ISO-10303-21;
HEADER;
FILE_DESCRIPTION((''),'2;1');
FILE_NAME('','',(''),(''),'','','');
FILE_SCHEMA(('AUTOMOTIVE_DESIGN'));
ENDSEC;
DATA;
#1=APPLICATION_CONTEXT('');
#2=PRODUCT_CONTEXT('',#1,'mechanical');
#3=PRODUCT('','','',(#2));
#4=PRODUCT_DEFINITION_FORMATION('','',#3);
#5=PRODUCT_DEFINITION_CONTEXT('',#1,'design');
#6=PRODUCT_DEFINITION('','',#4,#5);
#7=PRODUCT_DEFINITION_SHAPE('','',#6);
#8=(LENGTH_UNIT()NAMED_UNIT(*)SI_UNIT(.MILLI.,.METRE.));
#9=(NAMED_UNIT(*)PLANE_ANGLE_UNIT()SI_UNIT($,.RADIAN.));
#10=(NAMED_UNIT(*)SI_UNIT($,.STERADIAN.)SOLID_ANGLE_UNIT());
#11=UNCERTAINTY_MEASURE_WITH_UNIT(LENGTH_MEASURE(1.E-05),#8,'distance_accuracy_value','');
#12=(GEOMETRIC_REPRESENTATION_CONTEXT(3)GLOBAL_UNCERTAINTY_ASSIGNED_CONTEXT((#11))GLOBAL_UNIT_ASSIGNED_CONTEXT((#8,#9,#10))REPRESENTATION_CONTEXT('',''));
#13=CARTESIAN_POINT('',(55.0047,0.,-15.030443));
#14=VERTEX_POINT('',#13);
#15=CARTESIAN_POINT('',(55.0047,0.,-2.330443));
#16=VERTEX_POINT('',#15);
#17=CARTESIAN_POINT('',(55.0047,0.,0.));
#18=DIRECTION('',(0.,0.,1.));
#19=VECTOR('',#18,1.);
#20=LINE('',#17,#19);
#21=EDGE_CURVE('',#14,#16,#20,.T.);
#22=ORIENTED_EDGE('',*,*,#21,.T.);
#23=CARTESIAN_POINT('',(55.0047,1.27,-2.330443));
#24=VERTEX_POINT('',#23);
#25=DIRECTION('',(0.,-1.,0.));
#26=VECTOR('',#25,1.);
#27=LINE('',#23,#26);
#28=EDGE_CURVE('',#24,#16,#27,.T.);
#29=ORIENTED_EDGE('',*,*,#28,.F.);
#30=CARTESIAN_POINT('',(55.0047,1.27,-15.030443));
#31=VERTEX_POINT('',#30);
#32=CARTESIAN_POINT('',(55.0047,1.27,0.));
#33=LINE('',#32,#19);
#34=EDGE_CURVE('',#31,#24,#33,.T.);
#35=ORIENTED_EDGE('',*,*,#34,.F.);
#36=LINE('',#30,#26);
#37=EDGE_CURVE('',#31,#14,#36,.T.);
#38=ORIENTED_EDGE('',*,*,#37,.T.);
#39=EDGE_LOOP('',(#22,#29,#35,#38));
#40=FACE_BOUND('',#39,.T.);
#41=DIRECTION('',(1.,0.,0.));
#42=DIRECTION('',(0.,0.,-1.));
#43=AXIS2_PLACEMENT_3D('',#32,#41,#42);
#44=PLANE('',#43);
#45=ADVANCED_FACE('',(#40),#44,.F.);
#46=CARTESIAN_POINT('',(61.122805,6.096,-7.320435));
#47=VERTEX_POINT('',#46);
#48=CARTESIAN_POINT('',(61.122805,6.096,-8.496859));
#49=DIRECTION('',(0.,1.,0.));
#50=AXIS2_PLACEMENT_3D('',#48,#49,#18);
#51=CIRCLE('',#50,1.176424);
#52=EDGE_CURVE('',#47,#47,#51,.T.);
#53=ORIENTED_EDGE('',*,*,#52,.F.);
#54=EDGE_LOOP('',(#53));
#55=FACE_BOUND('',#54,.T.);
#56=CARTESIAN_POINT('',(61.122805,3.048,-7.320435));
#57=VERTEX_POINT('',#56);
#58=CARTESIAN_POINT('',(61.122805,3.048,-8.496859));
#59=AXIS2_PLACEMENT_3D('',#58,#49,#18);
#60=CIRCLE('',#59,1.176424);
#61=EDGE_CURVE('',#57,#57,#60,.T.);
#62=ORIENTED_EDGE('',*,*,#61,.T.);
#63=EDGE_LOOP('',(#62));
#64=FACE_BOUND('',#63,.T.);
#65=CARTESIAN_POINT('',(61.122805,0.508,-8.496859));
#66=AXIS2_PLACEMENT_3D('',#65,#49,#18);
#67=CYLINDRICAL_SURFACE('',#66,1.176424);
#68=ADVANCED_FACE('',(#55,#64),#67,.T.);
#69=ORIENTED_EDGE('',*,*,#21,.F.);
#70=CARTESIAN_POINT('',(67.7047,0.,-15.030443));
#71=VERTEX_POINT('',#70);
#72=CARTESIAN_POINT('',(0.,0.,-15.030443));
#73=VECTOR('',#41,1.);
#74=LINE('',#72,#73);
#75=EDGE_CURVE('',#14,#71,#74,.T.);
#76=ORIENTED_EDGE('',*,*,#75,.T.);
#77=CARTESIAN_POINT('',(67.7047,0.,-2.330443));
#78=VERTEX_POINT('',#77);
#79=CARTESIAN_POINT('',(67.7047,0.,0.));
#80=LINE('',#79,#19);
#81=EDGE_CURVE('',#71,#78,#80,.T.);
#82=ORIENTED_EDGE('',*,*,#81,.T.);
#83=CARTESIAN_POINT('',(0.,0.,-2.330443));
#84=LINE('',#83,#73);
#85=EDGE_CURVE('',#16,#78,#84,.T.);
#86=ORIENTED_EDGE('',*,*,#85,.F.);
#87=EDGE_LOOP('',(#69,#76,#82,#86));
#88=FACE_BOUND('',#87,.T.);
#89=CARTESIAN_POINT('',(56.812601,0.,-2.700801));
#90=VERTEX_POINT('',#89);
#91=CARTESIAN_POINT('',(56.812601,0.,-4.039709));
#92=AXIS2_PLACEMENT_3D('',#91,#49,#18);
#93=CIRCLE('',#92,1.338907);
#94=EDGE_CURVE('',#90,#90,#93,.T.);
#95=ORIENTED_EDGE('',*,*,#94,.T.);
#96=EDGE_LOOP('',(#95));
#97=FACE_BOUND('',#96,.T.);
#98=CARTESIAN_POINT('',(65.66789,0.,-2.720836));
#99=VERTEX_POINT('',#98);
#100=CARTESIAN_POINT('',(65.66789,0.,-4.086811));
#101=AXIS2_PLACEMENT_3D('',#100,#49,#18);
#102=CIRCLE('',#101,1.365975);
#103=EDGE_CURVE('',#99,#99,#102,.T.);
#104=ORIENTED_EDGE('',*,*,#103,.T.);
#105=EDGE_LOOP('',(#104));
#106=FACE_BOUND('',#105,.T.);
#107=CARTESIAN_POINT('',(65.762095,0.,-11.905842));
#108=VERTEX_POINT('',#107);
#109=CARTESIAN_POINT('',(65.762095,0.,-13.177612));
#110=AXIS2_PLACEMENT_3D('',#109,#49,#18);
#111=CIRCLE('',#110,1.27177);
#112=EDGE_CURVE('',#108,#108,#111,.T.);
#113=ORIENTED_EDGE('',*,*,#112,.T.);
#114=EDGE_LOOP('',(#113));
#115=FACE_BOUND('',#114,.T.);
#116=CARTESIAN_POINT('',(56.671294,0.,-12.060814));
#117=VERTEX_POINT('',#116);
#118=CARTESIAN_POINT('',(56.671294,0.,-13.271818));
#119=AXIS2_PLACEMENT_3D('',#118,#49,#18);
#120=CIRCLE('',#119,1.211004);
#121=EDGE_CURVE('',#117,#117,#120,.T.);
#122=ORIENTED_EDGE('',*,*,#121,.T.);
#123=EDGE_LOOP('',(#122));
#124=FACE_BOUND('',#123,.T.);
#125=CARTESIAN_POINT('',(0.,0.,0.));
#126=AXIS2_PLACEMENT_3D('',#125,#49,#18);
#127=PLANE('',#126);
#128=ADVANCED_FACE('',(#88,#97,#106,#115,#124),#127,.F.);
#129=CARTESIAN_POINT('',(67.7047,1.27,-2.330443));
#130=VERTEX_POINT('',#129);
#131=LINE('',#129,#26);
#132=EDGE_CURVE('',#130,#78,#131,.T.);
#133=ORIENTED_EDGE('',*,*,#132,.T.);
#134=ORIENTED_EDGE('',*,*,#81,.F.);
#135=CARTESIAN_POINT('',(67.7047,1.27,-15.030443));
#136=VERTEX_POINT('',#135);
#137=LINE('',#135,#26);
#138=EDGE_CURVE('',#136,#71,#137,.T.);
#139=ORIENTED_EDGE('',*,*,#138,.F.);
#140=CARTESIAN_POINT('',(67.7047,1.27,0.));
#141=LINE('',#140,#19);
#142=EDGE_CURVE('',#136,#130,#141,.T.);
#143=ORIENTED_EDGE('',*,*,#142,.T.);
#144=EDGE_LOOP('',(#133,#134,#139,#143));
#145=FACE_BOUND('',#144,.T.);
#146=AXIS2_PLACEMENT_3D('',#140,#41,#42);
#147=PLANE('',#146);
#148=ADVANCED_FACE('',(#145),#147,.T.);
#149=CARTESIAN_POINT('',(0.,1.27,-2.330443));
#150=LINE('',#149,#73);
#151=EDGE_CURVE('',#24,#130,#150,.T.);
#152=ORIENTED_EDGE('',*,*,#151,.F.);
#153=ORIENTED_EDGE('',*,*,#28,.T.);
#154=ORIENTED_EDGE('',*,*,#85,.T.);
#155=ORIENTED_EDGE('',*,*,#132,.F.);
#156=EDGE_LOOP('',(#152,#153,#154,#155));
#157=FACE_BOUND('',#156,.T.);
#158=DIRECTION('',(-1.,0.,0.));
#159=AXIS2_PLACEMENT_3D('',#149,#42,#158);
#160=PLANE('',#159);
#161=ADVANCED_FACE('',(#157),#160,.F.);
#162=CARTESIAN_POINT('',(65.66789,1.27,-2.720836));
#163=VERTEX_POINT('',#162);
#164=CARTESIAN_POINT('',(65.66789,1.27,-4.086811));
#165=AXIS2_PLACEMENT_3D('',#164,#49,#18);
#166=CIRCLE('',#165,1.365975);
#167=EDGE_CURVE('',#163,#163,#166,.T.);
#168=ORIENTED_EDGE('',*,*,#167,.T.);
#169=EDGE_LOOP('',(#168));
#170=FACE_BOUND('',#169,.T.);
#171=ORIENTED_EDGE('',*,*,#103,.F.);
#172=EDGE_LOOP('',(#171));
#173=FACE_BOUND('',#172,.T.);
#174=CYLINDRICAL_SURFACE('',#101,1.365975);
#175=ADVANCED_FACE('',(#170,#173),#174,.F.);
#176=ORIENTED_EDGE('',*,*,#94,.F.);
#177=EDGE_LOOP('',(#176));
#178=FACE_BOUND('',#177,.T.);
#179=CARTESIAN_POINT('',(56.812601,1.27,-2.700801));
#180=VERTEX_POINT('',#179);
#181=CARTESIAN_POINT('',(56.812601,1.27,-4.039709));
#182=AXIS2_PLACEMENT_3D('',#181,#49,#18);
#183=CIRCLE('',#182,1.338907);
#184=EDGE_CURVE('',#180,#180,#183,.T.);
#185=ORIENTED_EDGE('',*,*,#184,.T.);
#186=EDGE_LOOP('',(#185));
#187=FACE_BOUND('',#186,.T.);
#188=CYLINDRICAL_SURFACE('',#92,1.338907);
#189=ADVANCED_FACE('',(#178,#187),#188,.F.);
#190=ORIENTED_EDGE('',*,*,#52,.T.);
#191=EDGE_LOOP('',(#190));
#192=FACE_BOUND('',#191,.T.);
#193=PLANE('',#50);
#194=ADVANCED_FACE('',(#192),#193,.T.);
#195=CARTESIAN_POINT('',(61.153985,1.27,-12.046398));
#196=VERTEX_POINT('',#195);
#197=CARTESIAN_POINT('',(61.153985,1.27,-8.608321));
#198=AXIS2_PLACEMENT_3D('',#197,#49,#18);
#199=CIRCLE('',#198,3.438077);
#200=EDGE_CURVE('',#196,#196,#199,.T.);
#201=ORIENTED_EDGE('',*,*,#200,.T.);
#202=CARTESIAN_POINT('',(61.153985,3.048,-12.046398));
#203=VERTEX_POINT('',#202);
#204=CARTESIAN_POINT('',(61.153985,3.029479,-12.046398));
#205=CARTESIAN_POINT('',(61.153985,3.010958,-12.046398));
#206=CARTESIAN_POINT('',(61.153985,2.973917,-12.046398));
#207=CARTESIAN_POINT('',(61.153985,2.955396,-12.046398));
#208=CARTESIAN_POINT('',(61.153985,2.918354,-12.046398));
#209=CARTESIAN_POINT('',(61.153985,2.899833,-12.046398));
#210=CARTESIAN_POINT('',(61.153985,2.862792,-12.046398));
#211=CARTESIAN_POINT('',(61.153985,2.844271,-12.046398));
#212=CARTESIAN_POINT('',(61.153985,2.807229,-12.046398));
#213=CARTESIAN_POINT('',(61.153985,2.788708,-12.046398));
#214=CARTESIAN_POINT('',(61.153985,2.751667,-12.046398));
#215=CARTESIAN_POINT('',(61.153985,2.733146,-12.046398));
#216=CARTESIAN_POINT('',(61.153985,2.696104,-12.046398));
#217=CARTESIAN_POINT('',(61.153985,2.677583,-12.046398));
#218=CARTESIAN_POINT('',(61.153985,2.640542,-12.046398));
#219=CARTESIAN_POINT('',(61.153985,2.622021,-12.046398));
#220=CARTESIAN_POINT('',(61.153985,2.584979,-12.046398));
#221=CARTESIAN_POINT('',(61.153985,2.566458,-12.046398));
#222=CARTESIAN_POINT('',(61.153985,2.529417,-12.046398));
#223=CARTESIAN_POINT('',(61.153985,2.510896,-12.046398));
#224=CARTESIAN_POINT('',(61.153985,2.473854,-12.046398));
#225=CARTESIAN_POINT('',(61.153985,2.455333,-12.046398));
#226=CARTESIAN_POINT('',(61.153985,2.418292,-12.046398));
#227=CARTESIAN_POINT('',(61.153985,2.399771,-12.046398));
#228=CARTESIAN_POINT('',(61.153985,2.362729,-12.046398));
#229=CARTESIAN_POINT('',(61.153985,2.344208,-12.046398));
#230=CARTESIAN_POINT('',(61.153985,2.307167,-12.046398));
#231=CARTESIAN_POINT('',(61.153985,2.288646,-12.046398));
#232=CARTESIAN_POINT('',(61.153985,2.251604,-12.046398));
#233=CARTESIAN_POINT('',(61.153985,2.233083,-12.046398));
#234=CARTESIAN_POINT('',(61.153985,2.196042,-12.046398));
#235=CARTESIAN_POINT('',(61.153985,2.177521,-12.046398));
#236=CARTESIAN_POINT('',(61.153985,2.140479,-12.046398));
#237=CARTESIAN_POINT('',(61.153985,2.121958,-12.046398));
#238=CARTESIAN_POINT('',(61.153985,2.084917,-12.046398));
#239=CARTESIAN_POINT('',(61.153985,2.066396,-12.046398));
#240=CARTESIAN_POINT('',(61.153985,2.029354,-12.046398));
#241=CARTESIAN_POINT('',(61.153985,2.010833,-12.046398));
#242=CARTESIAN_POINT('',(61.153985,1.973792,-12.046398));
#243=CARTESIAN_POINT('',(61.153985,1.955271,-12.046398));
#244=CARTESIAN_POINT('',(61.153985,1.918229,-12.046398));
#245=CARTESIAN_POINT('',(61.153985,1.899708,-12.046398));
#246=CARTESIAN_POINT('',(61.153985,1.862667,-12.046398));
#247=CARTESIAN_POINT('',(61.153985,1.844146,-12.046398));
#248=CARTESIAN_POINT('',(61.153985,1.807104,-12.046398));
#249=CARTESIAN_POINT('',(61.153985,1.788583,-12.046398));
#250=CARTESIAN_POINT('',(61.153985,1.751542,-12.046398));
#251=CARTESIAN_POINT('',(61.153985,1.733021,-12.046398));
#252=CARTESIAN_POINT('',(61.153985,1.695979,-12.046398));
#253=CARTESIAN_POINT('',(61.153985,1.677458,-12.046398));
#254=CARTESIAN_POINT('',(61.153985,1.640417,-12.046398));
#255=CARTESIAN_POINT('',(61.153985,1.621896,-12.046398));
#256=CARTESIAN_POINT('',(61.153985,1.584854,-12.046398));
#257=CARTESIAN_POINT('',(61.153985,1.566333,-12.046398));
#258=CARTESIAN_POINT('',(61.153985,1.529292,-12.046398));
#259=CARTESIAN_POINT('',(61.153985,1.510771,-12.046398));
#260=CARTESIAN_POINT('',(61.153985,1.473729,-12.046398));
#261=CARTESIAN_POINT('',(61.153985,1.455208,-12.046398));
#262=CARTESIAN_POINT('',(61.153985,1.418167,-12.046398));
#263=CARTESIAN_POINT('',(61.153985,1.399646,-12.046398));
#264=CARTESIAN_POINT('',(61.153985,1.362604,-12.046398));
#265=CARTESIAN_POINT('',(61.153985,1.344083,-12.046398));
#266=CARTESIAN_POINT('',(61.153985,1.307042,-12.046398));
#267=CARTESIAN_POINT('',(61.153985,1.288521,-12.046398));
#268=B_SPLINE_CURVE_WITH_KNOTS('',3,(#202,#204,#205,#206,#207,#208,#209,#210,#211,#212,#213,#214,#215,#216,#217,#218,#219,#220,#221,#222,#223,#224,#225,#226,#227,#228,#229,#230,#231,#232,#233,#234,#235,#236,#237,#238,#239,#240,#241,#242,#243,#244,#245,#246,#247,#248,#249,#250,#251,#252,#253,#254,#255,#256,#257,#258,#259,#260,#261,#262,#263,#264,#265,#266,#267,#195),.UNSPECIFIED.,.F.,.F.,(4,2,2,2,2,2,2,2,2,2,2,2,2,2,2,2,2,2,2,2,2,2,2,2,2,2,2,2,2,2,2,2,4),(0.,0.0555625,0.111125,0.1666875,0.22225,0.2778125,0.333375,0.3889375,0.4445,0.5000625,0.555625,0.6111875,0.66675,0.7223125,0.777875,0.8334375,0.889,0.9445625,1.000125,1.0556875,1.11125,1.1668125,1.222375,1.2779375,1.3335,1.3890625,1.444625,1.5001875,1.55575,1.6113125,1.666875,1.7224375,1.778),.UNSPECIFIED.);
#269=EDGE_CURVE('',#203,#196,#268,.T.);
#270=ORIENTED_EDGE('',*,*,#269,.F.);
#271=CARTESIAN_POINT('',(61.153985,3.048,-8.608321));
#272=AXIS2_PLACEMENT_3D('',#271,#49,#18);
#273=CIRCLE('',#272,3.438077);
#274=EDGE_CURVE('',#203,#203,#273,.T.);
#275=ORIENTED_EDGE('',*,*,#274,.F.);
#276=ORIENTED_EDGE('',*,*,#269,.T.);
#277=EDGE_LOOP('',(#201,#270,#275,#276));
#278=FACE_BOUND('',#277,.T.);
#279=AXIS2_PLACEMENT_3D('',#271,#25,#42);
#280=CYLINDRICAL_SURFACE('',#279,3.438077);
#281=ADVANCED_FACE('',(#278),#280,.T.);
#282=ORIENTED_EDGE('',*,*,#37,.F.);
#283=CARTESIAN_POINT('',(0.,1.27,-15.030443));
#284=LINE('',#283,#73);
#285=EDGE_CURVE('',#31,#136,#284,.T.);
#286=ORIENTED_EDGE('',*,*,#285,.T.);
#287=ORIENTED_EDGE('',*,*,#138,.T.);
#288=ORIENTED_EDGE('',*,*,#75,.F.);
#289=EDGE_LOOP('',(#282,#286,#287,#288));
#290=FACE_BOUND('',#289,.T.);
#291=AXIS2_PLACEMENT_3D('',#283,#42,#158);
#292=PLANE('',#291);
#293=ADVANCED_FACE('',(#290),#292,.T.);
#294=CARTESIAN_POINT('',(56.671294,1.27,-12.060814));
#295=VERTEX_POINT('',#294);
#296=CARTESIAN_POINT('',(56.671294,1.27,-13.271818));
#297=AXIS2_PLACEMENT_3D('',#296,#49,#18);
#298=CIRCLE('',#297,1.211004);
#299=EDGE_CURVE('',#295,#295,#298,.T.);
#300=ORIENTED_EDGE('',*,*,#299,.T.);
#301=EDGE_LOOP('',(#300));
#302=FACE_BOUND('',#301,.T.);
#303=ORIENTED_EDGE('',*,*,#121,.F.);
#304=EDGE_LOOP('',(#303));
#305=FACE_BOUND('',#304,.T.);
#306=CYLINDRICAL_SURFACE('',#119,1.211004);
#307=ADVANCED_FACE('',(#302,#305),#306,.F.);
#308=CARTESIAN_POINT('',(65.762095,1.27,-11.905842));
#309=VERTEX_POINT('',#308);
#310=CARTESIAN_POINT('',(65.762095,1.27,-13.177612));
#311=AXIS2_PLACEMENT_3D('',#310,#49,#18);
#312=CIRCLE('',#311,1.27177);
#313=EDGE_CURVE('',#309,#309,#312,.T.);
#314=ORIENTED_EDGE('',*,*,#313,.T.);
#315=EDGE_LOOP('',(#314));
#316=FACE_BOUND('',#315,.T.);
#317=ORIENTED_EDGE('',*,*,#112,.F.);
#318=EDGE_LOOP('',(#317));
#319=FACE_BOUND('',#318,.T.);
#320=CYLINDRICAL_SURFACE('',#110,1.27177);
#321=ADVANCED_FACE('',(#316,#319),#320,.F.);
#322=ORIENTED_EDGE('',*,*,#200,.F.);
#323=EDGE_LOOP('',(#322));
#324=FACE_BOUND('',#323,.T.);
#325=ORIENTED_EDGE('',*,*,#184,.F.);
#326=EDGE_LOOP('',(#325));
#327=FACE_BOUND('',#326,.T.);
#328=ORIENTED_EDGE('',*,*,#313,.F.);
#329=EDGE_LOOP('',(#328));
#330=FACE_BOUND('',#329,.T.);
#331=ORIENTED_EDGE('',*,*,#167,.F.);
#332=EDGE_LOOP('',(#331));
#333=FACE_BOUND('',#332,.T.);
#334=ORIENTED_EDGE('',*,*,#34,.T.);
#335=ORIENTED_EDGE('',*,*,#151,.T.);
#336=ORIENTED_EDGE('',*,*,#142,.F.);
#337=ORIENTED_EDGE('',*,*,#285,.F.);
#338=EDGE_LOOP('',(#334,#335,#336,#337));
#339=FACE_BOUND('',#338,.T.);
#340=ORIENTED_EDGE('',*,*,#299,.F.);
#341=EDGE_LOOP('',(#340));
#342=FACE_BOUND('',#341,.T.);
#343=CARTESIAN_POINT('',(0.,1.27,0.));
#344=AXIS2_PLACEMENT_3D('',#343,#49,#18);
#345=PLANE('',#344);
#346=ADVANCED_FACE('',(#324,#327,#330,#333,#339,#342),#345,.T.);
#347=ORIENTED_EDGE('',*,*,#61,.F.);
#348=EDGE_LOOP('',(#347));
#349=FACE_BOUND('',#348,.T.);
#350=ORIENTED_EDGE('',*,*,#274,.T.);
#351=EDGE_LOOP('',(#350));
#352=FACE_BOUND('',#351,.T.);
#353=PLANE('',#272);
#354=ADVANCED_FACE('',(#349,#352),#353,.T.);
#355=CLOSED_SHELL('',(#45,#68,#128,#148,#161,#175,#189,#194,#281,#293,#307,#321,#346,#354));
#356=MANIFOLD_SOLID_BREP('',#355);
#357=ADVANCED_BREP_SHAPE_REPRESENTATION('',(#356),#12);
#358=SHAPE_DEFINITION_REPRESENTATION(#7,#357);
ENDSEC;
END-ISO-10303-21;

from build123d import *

# Parameters (mm, degrees)
SKETCH1_W                = 12.7
SKETCH1_H                = 12.7
BOSS_EXTRUDE1_DEPTH      = 1.27
SKETCH2_R                = 1.211003997
SKETCH2_R_2              = 1.271770102
SKETCH2_R_3              = 1.338907355
SKETCH2_R_4              = 1.365975295
CUT_EXTRUDE1_DEPTH       = 1.27
SKETCH3_R                = 3.438076728
BOSS_EXTRUDE2_DEPTH      = 1.778
BOSS_EXTRUDE3_DEPTH      = 3.048
BOSS_EXTRUDE3_DEPTH_BACK = 2.54
SKETCH4_R                = 1.176424435


with BuildPart() as part:
    # Sketch1 → Boss-Extrude1 (new body)
    with BuildSketch(Plane(origin=(0, 0, 0), x_dir=(1, 0, 0), z_dir=(0, 1, 0))):
        with Locations((61.354700157, 8.680443435)):
            Rectangle(SKETCH1_W, SKETCH1_H)
    extrude(amount=BOSS_EXTRUDE1_DEPTH)

    # Sketch2 → Cut-Extrude1 (cut)
    with BuildSketch(Plane(origin=(0, 1.27, 0), x_dir=(1, 0, 0), z_dir=(0, 1, 0))):
        with Locations(Location((56.671293602, 13.271817518, 0), (0, 0, 270))):
            Circle(SKETCH2_R)
        with Locations(Location((65.762094704, 13.177612325, 0), (0, 0, 270))):
            Circle(SKETCH2_R_2)
        with Locations(Location((56.812601392, 4.039708628, 0), (0, 0, 270))):
            Circle(SKETCH2_R_3)
        with Locations(Location((65.667889511, 4.086811224, 0), (0, 0, 270))):
            Circle(SKETCH2_R_4)
    extrude(amount=-CUT_EXTRUDE1_DEPTH, mode=Mode.SUBTRACT)

    # Sketch3 → Boss-Extrude2 (add)
    with BuildSketch(Plane(origin=(0, 1.27, 0), x_dir=(1, 0, 0), z_dir=(0, 1, 0))):
        with Locations(Location((61.153985379, 8.608321241, 0), (0, 0, 90))):
            Circle(SKETCH3_R)
    extrude(amount=BOSS_EXTRUDE2_DEPTH)

    # Sketch4 → Boss-Extrude3 (add, two sides: drawn at the far end of the back side and taken through both)
    with BuildSketch(Plane(origin=(0, 3.048, 0), x_dir=(1, 0, 0), z_dir=(0, 1, 0)).offset(-BOSS_EXTRUDE3_DEPTH_BACK)):
        with Locations(Location((61.122804521, 8.49685939, 0), (0, 0, 270))):
            Circle(SKETCH4_R)
    extrude(amount=BOSS_EXTRUDE3_DEPTH + BOSS_EXTRUDE3_DEPTH_BACK)


solid = part.part
